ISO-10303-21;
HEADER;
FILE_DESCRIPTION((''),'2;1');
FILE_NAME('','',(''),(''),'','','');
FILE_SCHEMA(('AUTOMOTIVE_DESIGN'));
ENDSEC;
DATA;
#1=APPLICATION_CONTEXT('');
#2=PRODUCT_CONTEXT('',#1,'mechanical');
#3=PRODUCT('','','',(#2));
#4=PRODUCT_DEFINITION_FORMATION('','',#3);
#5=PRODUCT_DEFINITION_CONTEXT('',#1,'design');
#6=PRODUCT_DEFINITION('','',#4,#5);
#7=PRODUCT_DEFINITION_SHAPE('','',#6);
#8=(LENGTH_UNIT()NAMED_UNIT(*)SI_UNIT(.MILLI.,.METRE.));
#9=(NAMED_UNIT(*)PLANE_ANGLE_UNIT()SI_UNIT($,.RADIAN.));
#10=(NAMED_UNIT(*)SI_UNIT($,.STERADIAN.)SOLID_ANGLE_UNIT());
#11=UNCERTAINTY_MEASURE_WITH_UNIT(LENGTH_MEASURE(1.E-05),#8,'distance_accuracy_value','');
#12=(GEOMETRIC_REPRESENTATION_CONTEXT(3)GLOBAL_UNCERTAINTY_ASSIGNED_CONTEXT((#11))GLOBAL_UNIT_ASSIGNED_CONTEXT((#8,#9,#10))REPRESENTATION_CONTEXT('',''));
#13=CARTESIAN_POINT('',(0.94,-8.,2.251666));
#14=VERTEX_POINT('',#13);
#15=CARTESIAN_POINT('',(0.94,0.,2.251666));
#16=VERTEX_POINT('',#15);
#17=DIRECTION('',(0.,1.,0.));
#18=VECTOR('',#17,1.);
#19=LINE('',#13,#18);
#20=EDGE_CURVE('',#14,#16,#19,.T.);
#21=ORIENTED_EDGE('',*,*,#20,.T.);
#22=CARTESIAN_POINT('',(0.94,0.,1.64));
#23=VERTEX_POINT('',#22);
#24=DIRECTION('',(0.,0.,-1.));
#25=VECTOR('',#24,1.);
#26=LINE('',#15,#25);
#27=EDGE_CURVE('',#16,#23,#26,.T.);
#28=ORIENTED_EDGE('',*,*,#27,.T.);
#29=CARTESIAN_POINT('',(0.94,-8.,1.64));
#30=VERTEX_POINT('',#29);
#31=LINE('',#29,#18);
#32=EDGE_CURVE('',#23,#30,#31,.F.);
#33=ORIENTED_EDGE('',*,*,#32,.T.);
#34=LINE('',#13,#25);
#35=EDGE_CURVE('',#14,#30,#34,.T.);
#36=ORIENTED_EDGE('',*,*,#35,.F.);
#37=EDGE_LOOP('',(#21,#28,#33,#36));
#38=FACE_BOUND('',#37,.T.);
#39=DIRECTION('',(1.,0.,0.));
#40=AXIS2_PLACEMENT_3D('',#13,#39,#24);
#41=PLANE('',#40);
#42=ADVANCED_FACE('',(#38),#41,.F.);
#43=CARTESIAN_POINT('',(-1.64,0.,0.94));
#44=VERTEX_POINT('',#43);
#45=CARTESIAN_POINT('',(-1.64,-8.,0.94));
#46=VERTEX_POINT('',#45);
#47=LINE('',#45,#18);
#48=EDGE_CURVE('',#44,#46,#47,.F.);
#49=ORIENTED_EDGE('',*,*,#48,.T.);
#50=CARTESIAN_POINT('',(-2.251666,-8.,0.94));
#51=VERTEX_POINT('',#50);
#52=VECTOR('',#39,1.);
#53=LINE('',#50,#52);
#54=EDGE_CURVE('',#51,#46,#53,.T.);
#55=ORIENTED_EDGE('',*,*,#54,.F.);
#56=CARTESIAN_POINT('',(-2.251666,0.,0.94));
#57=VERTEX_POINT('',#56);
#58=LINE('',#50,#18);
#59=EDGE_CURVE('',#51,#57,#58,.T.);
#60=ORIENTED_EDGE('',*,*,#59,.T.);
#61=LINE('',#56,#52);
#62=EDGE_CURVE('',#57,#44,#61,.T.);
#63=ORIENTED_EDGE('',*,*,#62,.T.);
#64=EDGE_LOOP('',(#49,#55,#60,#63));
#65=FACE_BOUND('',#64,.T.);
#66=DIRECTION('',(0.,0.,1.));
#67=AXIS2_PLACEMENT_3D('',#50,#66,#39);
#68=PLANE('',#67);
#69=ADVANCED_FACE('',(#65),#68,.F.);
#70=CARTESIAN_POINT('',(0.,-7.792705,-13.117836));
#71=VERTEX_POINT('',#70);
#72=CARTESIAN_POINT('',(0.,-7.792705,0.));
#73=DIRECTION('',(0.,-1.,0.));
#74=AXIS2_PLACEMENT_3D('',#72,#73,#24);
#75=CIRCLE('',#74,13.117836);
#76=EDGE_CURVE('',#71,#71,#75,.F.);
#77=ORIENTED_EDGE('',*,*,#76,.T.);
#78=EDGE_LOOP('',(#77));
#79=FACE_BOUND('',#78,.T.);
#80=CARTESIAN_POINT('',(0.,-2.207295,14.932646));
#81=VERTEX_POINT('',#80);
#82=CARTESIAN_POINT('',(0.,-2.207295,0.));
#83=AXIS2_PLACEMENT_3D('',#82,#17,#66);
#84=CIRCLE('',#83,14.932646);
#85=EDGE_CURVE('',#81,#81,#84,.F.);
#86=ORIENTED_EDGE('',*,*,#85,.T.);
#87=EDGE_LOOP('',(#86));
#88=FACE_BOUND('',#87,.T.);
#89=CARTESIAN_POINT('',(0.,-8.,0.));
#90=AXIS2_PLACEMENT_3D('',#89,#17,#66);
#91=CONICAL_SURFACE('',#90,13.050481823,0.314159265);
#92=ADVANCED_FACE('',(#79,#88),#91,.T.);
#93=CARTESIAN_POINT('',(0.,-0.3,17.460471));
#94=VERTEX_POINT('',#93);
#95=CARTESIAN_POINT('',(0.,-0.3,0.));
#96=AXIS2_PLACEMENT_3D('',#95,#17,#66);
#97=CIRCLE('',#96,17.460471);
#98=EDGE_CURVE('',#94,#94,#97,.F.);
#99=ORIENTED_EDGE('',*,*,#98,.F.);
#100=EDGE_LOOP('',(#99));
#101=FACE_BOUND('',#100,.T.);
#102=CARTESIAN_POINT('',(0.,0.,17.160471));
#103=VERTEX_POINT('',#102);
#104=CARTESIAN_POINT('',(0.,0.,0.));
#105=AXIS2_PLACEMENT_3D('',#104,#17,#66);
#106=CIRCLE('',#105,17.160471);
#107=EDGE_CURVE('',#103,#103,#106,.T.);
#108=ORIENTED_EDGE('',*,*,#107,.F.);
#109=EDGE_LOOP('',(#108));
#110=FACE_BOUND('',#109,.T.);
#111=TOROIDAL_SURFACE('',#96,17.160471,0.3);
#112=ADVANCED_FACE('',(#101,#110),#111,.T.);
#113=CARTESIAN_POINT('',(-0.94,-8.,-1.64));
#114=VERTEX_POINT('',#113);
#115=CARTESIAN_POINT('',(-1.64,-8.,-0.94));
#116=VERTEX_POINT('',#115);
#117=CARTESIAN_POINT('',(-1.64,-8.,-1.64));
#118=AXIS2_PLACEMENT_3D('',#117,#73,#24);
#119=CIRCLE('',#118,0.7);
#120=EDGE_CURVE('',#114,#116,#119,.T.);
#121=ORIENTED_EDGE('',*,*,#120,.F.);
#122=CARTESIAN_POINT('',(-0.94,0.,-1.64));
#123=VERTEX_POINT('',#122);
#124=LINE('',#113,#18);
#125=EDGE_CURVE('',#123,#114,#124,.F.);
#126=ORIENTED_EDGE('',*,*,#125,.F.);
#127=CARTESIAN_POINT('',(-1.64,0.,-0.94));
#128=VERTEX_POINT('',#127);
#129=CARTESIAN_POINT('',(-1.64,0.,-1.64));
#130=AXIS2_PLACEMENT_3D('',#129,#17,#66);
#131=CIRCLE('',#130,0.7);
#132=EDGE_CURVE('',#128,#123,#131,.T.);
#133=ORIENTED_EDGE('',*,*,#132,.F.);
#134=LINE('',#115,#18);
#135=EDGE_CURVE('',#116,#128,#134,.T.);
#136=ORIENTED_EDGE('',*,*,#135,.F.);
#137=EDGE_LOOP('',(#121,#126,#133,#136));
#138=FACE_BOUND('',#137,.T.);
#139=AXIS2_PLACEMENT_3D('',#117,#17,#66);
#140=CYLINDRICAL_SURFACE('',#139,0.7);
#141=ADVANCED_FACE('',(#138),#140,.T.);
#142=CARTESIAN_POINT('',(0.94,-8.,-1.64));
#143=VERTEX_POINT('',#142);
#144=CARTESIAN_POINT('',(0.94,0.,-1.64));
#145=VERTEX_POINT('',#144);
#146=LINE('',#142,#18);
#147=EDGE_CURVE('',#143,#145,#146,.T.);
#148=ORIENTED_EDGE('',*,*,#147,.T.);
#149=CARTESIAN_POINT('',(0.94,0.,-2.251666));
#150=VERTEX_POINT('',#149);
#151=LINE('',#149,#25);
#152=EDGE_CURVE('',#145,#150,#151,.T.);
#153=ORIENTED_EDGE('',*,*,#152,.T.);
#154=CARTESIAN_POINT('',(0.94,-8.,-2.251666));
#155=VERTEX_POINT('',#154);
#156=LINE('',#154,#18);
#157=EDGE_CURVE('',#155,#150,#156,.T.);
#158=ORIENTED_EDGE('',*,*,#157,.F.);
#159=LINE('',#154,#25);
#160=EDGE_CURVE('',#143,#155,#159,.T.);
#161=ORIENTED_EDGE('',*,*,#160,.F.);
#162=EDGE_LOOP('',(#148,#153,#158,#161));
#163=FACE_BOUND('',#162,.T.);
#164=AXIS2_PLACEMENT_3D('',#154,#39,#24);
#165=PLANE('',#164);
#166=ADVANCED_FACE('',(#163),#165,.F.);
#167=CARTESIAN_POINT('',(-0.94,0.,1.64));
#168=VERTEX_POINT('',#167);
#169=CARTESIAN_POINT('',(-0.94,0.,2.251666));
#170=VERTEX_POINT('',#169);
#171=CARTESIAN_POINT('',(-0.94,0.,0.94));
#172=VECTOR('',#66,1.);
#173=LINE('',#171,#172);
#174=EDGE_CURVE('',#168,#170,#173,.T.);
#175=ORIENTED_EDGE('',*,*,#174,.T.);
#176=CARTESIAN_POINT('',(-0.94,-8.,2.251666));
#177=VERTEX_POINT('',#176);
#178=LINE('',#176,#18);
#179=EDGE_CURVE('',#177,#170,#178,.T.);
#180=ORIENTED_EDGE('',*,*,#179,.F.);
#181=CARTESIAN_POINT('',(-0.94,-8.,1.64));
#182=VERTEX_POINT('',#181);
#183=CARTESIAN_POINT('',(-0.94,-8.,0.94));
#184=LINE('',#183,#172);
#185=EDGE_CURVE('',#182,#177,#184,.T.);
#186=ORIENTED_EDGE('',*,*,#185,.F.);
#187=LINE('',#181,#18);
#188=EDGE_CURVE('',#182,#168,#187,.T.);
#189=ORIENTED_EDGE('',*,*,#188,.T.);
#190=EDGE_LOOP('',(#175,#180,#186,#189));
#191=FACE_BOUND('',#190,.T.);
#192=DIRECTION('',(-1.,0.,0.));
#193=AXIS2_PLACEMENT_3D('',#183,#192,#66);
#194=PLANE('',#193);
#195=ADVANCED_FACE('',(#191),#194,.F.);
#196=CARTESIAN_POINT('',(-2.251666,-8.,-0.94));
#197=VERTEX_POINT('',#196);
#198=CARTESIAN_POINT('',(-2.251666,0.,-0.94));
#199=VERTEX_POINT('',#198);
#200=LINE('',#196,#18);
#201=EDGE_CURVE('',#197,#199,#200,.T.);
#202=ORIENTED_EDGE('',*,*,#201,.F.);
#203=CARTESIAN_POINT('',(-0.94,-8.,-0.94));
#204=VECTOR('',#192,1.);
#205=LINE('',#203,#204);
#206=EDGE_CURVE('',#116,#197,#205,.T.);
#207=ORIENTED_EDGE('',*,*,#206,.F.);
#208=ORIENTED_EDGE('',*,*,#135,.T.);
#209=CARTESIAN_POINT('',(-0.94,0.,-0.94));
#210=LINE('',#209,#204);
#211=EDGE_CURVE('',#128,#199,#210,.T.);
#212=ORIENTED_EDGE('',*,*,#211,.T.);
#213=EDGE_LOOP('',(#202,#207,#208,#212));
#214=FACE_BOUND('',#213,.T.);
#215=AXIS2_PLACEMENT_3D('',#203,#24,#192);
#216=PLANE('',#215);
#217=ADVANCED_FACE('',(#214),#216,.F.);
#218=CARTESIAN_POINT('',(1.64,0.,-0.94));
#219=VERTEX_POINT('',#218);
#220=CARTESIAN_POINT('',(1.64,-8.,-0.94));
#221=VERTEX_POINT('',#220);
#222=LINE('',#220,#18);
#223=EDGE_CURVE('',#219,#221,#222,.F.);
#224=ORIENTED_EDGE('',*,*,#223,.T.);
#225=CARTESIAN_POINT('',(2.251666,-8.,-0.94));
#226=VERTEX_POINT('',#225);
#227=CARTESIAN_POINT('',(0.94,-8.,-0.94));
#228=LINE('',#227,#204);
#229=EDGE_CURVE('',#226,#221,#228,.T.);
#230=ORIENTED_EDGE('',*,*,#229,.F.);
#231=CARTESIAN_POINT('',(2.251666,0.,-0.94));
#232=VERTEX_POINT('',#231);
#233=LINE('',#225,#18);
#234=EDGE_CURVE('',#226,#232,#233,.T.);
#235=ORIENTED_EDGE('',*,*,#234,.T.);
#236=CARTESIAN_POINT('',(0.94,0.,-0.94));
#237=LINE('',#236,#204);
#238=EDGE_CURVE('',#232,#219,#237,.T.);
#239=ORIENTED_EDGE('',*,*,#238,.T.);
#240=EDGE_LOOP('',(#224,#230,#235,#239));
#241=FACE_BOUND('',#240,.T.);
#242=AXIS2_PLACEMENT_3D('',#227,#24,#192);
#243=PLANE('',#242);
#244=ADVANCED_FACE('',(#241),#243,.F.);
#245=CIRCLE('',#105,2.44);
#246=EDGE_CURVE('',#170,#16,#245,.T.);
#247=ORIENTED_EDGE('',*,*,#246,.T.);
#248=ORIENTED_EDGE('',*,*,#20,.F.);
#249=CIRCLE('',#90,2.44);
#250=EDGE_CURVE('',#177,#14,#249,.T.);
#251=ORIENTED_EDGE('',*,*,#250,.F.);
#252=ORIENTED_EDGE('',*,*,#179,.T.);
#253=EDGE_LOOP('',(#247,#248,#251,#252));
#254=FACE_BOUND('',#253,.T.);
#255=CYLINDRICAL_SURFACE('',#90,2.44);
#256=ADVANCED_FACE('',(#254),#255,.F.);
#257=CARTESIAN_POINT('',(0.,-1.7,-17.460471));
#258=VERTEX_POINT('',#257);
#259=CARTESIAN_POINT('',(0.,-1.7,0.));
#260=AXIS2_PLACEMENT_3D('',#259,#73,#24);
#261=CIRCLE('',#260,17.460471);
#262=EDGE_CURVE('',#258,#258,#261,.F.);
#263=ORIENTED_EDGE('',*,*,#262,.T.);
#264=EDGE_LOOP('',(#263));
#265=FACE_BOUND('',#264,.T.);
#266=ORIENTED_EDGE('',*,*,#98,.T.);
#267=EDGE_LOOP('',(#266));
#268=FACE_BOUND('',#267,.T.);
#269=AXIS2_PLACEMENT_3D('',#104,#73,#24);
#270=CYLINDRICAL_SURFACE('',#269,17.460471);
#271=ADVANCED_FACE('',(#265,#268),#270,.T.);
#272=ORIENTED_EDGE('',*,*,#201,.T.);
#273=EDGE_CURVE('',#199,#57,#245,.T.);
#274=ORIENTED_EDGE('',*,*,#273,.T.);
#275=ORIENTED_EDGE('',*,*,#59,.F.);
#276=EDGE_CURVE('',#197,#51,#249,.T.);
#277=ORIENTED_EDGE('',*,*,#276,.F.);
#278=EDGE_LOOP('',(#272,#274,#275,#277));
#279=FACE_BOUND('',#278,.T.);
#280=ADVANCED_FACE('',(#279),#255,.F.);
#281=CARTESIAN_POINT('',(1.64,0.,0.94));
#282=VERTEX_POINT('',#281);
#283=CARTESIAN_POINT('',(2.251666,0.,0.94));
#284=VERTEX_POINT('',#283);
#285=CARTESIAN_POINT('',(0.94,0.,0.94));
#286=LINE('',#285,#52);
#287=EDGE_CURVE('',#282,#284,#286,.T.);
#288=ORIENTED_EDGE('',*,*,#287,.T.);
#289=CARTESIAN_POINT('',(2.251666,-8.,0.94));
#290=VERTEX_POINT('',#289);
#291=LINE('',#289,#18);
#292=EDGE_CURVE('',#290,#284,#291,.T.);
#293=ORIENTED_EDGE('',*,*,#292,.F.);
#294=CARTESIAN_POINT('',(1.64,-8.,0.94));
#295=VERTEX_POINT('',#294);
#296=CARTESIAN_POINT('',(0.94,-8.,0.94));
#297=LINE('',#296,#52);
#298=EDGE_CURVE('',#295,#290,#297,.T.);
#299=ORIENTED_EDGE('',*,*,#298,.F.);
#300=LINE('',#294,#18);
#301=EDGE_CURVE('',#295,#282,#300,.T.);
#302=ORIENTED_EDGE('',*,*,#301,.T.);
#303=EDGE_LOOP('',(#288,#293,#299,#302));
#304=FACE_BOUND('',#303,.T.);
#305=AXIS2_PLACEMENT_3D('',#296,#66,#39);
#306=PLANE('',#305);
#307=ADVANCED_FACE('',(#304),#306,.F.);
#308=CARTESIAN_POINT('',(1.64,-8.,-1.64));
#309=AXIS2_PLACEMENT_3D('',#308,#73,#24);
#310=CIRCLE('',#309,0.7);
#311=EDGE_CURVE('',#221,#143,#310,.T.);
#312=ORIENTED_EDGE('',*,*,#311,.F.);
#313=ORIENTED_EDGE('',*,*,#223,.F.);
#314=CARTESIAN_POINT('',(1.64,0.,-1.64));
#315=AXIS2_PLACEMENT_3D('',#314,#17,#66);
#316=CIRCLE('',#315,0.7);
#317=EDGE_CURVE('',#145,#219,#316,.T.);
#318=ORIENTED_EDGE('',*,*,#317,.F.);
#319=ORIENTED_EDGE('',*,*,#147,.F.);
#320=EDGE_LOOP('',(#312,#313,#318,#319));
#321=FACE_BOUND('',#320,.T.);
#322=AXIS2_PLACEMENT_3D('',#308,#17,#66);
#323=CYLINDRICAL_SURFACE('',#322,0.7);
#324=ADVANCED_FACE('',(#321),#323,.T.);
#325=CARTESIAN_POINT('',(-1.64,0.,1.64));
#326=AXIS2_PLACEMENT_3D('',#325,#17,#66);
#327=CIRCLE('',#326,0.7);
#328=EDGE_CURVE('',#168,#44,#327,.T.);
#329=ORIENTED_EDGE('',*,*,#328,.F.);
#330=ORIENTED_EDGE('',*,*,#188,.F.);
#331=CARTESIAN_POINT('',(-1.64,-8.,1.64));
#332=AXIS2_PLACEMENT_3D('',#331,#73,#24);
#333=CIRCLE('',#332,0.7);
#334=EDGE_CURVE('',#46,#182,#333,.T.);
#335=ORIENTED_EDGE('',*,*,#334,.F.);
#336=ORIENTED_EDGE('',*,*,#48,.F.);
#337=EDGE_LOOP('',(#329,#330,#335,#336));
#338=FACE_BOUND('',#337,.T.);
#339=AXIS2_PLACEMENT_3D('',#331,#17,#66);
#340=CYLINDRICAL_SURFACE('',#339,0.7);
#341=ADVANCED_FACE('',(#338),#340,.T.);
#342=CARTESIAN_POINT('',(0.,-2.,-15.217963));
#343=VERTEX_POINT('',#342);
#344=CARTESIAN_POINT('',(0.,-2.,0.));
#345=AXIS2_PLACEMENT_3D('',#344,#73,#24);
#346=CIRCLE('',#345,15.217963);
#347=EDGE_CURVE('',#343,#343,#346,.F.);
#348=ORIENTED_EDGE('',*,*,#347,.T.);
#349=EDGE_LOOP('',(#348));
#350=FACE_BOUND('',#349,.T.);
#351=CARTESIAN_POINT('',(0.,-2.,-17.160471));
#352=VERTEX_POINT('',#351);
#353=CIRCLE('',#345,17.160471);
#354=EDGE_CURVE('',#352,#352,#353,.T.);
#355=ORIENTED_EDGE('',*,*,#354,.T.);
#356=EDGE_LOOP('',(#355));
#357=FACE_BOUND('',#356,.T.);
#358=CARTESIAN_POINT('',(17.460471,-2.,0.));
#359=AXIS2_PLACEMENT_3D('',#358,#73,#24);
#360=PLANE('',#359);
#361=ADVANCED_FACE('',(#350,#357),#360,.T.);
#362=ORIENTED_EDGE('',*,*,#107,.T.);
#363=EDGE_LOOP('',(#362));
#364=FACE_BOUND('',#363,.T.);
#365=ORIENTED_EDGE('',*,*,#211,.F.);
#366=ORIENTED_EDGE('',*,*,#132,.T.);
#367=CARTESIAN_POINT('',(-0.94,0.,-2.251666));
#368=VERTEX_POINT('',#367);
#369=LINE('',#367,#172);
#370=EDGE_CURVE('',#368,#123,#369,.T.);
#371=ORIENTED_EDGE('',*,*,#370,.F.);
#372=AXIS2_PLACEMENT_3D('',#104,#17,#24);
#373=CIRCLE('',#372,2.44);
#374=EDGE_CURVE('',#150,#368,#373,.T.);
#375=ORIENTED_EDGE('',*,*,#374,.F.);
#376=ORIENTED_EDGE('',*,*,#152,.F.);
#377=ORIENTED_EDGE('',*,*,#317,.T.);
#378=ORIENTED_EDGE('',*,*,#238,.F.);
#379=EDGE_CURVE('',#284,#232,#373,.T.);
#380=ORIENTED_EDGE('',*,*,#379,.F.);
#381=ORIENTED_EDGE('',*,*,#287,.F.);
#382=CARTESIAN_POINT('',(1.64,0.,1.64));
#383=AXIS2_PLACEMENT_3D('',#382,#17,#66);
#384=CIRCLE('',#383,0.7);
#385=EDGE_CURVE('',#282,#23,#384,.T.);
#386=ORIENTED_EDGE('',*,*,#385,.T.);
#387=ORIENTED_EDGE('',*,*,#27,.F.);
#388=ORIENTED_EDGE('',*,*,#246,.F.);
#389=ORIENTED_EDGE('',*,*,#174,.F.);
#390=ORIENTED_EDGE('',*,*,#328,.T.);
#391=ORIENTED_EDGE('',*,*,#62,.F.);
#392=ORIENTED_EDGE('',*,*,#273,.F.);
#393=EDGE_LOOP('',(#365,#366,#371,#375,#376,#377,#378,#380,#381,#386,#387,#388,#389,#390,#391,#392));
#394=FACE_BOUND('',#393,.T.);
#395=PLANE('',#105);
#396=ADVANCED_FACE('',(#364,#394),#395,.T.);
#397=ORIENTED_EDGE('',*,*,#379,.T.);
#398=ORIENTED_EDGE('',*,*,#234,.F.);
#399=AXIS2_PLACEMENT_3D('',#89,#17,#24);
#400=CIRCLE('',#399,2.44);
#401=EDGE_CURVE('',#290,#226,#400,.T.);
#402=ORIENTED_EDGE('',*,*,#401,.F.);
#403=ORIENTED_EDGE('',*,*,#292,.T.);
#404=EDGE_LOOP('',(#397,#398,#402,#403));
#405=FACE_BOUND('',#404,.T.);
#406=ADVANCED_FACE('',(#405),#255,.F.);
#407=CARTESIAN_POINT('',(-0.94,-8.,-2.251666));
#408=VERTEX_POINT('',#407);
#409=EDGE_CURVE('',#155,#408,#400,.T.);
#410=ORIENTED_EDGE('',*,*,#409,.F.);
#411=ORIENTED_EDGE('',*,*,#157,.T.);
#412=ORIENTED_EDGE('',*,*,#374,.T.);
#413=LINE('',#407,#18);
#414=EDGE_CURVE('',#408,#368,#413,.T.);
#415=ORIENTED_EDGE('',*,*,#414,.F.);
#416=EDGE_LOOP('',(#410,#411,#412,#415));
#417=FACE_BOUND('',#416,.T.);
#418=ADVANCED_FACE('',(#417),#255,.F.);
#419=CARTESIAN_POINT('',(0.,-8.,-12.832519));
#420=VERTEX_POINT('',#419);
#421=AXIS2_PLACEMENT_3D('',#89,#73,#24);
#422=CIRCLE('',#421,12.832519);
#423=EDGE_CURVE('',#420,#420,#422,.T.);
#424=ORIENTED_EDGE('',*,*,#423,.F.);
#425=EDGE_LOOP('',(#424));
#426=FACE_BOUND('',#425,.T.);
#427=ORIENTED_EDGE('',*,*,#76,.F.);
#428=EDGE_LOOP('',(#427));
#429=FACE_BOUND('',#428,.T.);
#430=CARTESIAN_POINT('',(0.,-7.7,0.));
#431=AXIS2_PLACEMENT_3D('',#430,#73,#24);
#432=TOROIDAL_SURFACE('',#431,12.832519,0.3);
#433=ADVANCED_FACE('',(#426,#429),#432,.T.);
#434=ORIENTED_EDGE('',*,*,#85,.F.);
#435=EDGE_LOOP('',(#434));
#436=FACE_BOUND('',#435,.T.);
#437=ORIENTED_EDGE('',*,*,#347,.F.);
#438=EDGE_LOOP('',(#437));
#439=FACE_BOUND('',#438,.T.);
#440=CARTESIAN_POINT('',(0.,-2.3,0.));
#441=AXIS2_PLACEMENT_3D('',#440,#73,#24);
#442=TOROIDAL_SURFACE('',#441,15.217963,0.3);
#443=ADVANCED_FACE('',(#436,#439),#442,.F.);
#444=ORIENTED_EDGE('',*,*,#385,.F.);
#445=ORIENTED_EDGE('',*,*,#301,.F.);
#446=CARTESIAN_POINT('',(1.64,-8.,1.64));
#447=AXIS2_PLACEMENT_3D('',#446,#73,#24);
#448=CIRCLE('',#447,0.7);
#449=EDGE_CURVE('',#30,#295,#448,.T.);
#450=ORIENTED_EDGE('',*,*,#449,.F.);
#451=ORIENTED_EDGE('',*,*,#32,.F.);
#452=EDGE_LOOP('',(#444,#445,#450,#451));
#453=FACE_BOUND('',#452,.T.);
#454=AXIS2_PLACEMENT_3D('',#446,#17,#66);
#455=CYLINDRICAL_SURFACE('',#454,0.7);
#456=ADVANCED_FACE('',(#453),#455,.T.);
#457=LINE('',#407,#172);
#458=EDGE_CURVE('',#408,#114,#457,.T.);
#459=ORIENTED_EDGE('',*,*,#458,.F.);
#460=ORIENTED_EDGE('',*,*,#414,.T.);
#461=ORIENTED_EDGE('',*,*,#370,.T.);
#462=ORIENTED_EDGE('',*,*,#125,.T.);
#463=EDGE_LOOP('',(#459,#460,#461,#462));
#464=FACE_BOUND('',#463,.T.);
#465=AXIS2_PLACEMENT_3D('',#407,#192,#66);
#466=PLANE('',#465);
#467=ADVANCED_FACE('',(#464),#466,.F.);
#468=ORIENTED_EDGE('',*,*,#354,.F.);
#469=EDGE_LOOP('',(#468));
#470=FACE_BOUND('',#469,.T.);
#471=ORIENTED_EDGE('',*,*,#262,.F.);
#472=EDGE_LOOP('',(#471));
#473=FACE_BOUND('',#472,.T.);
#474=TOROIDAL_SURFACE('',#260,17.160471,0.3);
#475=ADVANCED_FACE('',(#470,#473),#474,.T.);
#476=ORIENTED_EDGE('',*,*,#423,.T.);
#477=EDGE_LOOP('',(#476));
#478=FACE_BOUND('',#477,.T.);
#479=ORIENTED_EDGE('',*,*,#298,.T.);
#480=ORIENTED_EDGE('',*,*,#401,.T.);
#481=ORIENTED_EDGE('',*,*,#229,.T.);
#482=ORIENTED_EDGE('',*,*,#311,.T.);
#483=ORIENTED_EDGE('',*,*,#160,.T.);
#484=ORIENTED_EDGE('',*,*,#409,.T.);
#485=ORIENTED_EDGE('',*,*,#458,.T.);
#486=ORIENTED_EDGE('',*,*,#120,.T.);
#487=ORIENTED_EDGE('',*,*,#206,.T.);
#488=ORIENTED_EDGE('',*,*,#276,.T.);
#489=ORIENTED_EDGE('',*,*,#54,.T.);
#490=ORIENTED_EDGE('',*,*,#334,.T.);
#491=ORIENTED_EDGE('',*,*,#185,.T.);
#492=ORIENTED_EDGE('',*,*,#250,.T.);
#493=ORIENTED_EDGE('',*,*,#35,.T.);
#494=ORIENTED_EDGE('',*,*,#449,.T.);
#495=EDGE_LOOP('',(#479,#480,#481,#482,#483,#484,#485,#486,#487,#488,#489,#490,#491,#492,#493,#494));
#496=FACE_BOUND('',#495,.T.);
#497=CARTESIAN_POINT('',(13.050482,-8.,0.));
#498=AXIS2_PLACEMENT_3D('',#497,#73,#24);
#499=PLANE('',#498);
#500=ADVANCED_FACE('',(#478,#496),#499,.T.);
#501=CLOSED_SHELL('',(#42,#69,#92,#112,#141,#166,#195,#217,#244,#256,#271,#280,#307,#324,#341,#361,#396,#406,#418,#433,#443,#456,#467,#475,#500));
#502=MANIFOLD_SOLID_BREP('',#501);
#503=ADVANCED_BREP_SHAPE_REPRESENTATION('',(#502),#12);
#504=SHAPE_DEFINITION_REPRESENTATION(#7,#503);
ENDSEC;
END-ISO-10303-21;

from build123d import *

# Parameters (mm, degrees)
CUT_EXTRUDE1_DEPTH = 26.956426849
FILLET1_R          = 0.7
FILLET2_R          = 0.3


with BuildPart() as part:
    # Sketch2 → Revolve1 (revolve)
    with BuildSketch(Plane.XY, mode=Mode.PRIVATE) as revolve1_sk:
        Polygon((0, 0), (17.460470996, 0), (17.460470996, -2), (15, -2), (13.050481823, -8), (0, -8), align=None)
    revolve(revolve1_sk.sketch.rotate(Axis((0, 0, 0), (0, 1, 0)), 90), axis=Axis((0, 0, 0), (0, 1, 0)))

    # Sketch1 → Cut-Extrude1 (cut, through all)
    with BuildSketch(Plane(origin=(0, 0, 0), x_dir=(1, 0, 0), z_dir=(0, 1, 0))):
        with BuildLine():
            Line((-0.94, 0.94), (-2.25166605, 0.94))
            ThreePointArc((-2.25166605, 0.94), (-2.44, 0), (-2.25166605, -0.94))
            Line((-2.25166605, -0.94), (-0.94, -0.94))
            Line((-0.94, -0.94), (-0.94, -2.25166605))
            ThreePointArc((-0.94, -2.25166605), (0, -2.44), (0.94, -2.25166605))
            Line((0.94, -2.25166605), (0.94, -0.94))
            Line((0.94, -0.94), (2.25166605, -0.94))
            ThreePointArc((2.25166605, -0.94), (2.44, 0), (2.25166605, 0.94))
            Line((2.25166605, 0.94), (0.94, 0.94))
            Line((0.94, 0.94), (0.94, 2.25166605))
            ThreePointArc((0.94, 2.25166605), (0, 2.44), (-0.94, 2.25166605))
            Line((-0.94, 2.25166605), (-0.94, 0.94))
        make_face()
    extrude(amount=-CUT_EXTRUDE1_DEPTH, mode=Mode.SUBTRACT)

    # Fillet1
    fillet1_edges = [part.edges().sort_by_distance(p)[0] for p in [
        (-0.94, -4, -0.94),
        (0.94, -4, -0.94),
        (0.94, -4, 0.94),
        (-0.94, -4, 0.94),
    ]]
    fillet(fillet1_edges, radius=FILLET1_R)

    # Fillet2
    fillet2_edges = [part.edges().sort_by_distance(p)[0] for p in [
        (0, -8, 13.050481823),
        (0, -2, 15),
        (0, -2, 17.460470996),
        (0, 0, 17.460470996),
    ]]
    fillet(fillet2_edges, radius=FILLET2_R)


solid = part.part
